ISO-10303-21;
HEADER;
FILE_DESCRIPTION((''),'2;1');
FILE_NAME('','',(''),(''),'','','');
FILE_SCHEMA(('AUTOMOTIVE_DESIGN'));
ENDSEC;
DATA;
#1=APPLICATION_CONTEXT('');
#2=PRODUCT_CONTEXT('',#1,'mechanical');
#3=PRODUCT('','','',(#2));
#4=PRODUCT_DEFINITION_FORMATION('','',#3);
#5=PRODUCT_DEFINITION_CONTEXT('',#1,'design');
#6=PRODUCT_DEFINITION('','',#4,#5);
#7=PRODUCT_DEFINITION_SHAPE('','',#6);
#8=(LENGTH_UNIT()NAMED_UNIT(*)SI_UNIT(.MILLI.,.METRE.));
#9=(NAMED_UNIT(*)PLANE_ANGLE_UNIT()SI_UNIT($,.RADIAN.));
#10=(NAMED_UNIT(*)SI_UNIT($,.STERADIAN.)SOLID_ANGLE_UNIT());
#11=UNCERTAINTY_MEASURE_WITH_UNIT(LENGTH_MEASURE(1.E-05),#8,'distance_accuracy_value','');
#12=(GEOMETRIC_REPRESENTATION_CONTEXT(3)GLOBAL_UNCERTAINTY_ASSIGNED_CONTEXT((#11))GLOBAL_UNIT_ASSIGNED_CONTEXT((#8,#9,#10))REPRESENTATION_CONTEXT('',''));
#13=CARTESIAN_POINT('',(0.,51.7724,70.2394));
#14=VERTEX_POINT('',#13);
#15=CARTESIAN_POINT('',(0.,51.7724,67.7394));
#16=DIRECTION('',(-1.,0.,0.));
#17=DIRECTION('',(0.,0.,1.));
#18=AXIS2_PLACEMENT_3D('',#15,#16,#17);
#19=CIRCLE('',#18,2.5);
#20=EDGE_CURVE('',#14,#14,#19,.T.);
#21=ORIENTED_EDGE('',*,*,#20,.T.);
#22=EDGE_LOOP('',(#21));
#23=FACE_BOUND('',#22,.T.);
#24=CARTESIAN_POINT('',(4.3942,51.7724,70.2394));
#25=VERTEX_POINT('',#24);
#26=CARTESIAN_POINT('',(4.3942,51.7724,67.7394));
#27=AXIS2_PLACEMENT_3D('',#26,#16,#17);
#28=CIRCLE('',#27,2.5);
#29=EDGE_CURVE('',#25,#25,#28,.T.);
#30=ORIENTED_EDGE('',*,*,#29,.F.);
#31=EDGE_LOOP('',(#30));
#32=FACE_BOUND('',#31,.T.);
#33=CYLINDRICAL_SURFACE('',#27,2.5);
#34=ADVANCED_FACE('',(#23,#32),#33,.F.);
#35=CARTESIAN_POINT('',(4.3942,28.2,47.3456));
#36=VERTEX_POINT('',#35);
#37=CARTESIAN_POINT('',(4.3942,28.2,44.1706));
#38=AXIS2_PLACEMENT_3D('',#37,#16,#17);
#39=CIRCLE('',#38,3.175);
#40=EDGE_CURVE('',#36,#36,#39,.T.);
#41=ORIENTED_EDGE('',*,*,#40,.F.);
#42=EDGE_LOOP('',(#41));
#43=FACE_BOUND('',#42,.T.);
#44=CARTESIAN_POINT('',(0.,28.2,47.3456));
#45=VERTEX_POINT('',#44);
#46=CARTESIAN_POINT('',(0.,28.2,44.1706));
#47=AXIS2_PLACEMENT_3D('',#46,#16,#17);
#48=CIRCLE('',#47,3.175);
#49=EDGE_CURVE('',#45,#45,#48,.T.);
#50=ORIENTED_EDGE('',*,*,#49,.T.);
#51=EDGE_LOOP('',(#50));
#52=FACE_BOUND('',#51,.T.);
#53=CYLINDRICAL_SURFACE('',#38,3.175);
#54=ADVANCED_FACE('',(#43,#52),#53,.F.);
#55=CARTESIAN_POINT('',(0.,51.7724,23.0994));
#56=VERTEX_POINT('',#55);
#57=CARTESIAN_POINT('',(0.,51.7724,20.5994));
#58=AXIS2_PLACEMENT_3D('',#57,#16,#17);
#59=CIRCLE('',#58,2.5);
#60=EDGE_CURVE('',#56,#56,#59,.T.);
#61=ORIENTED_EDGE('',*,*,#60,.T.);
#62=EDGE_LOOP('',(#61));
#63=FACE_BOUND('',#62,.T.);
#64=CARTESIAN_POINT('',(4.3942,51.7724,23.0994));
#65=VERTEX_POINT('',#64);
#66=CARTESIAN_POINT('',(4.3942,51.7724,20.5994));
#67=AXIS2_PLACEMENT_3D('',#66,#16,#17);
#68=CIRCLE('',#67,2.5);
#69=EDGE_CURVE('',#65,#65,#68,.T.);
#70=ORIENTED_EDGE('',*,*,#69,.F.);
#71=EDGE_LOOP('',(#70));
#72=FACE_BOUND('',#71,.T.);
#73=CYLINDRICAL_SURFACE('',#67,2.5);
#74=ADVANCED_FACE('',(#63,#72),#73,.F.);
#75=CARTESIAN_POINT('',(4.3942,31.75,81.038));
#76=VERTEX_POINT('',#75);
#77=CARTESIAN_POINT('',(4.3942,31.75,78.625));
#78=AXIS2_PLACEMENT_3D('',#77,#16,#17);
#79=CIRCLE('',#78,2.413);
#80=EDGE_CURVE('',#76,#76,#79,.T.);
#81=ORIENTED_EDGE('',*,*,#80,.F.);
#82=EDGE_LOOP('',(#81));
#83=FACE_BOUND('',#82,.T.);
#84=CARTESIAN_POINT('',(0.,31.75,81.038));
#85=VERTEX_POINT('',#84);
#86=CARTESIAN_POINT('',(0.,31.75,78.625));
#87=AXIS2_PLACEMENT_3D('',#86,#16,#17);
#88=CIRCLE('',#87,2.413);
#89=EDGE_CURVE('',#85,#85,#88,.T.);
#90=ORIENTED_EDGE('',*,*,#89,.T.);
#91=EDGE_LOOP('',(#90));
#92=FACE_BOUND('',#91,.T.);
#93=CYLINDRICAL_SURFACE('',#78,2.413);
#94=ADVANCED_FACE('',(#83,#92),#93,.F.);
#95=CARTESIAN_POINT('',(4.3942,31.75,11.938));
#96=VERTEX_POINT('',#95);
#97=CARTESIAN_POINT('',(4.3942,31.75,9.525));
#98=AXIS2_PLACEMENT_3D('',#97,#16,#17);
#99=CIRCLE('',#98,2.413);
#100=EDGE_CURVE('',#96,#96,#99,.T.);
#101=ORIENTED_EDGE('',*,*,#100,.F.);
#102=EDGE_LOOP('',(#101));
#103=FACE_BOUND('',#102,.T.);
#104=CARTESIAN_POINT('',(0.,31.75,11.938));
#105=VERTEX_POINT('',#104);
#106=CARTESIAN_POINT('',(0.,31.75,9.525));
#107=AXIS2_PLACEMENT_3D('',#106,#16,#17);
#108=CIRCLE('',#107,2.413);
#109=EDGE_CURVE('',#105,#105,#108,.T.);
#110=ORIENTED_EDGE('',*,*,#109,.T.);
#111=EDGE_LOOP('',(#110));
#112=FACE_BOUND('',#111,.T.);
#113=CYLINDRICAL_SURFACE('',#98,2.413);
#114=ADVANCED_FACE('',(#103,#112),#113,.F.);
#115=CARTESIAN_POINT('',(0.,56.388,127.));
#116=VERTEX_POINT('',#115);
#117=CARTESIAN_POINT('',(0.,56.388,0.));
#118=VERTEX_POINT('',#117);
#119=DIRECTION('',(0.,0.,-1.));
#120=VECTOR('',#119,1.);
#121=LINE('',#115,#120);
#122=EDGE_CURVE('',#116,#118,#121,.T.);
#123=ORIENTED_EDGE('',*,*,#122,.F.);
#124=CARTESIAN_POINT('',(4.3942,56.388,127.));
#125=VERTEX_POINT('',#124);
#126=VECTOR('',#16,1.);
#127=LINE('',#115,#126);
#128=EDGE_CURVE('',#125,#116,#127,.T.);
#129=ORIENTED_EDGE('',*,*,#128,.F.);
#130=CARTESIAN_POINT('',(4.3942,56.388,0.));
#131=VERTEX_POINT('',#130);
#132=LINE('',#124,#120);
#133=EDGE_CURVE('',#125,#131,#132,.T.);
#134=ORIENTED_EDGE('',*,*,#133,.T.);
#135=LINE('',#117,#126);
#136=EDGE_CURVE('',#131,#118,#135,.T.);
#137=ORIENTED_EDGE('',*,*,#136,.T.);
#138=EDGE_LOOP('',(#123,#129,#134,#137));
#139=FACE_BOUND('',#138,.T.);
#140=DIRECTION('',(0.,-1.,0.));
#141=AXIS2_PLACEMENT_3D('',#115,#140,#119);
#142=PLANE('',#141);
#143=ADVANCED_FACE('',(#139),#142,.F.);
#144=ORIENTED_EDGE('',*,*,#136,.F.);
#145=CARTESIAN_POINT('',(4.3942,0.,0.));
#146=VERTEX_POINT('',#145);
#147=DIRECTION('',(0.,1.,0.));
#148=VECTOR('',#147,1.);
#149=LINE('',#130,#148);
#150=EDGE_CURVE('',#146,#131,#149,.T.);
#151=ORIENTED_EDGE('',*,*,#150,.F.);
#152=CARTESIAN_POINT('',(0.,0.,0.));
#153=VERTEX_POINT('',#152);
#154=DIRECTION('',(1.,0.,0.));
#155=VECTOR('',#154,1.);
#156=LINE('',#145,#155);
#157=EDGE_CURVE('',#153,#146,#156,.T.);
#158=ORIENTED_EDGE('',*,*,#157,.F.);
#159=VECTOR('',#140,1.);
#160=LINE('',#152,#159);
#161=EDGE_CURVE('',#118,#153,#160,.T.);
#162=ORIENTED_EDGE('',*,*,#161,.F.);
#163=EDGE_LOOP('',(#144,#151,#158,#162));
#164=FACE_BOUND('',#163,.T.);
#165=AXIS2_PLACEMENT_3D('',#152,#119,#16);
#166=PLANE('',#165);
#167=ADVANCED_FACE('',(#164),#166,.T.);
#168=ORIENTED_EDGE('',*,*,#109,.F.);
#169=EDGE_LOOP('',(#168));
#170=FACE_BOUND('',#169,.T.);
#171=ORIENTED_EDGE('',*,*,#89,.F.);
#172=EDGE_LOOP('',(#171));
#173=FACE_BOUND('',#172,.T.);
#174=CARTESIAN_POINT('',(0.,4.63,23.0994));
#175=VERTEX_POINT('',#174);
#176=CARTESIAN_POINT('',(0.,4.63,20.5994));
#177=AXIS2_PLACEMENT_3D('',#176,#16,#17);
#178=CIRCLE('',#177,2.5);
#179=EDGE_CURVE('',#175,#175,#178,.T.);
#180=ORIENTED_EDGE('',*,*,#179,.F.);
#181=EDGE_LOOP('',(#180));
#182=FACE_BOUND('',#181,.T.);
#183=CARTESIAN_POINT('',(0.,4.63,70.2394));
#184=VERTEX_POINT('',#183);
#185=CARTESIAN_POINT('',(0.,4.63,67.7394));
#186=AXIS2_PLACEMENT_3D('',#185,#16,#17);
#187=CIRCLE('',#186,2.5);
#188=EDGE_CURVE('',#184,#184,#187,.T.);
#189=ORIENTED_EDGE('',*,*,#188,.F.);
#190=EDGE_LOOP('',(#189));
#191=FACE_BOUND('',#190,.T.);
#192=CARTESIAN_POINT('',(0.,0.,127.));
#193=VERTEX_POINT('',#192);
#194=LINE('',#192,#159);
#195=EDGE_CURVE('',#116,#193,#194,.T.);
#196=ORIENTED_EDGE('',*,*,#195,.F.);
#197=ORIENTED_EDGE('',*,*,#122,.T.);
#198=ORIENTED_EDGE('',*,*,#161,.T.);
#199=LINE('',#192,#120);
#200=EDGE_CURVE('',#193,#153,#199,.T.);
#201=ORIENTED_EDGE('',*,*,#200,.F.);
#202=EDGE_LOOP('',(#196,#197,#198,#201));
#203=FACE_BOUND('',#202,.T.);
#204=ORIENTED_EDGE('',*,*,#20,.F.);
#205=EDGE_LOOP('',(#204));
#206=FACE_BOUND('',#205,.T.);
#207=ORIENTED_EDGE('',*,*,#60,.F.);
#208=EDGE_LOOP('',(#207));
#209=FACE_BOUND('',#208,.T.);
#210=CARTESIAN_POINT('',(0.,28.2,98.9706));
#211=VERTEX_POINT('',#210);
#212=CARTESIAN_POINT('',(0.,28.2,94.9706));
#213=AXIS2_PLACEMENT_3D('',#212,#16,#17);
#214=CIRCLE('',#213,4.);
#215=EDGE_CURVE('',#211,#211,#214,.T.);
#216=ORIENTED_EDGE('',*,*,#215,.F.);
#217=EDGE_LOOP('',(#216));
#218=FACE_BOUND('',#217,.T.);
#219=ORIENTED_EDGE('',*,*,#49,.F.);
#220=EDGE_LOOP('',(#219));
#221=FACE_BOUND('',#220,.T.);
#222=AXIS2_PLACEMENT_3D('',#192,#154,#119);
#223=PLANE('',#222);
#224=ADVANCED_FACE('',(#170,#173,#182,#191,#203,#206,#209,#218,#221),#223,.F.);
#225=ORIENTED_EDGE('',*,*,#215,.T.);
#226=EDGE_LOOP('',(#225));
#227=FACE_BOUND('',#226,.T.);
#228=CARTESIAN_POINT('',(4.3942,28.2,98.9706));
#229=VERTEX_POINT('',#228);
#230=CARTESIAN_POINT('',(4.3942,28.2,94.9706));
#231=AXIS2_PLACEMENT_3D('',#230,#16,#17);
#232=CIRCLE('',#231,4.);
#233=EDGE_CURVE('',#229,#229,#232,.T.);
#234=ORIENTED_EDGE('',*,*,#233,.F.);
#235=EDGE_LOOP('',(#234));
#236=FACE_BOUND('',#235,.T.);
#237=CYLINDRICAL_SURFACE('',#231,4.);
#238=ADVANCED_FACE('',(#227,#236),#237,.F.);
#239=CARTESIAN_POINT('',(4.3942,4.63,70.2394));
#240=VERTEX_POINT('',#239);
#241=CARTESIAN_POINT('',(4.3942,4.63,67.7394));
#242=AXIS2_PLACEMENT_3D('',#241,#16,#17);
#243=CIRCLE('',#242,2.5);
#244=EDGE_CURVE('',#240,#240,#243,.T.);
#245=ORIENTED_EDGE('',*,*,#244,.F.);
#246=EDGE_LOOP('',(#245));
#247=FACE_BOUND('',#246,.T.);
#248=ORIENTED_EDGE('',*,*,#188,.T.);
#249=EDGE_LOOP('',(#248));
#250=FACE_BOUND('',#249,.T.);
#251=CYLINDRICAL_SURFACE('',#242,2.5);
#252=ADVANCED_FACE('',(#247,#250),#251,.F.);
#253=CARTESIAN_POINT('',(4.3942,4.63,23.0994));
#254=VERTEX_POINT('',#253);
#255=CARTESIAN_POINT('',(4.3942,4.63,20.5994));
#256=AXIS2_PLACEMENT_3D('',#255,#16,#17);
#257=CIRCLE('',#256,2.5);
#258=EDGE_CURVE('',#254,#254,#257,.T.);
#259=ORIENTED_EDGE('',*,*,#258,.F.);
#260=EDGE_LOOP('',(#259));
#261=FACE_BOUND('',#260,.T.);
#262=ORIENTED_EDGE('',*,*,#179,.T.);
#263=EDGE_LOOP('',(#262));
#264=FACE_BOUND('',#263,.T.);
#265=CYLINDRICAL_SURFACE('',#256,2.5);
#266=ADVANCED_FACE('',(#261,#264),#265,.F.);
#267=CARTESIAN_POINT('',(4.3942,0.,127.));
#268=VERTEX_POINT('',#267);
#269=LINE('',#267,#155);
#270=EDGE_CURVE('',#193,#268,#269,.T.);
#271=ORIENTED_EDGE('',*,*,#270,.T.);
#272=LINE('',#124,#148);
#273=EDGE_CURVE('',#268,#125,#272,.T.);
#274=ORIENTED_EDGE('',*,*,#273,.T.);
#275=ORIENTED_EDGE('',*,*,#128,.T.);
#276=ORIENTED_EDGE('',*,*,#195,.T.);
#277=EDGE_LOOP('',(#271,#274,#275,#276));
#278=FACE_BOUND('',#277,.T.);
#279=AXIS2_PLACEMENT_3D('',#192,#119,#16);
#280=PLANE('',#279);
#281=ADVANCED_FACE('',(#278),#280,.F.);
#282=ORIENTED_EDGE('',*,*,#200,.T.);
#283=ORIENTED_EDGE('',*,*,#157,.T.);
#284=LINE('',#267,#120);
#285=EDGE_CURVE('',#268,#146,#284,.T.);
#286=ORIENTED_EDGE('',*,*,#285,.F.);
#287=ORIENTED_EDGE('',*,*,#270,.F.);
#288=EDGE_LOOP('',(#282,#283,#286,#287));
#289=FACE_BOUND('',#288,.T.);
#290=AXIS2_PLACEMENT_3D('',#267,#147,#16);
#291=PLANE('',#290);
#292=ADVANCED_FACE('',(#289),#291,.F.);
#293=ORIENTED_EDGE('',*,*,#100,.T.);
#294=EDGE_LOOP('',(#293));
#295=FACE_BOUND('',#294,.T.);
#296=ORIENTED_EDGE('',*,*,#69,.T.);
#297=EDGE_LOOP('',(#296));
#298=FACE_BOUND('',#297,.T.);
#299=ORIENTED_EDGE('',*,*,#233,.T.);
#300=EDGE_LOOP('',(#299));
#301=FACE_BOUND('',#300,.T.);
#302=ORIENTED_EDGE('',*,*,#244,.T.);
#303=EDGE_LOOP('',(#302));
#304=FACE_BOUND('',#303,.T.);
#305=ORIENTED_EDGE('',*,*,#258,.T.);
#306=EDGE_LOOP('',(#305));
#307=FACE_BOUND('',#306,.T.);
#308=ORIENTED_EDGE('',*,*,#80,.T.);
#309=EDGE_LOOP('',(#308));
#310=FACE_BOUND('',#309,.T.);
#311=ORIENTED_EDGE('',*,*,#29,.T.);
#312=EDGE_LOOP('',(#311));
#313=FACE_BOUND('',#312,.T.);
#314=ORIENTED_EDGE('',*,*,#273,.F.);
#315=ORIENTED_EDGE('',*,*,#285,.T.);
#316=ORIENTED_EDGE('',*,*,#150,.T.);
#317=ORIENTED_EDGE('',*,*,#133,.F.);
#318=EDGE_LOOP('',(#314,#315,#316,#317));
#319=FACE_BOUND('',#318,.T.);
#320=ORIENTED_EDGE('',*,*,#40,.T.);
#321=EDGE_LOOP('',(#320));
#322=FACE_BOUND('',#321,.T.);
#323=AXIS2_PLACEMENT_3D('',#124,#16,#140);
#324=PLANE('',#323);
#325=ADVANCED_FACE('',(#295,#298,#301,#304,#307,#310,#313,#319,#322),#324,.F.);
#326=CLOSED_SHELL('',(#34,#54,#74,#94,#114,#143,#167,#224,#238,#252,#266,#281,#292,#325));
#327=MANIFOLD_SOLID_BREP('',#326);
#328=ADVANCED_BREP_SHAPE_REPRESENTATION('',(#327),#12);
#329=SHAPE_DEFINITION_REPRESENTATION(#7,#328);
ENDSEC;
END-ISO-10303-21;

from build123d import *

# Parameters (mm, degrees)
SKETCH2_W           = 4.3942
SKETCH2_H           = 56.388
BOSS_EXTRUDE1_DEPTH = 127
SKETCH4_R           = 2.5
SKETCH4_R_2         = 2.413
SKETCH4_R_3         = 3.175
SKETCH4_R_4         = 4
CUT_EXTRUDE2_DEPTH  = 140.024873809


with BuildPart() as part:
    # Sketch2 → Boss-Extrude1 (new body)
    with BuildSketch(Plane.XY):
        with Locations((2.1971, 28.194)):
            Rectangle(SKETCH2_W, SKETCH2_H)
    extrude(amount=BOSS_EXTRUDE1_DEPTH)

    # Sketch4 → Cut-Extrude2 (cut, through all)
    with BuildSketch(Plane.ZY):
        with Locations((20.5994, 4.629999884)):
            Circle(SKETCH4_R)
        with Locations((9.525, 31.75)):
            Circle(SKETCH4_R_2)
        with Locations((67.7394, 4.629999884)):
            Circle(SKETCH4_R)
        with Locations((78.625, 31.75)):
            Circle(SKETCH4_R_2)
        with Locations((44.1706, 28.199999884)):
            Circle(SKETCH4_R_3)
        with Locations((94.9706, 28.199999884)):
            Circle(SKETCH4_R_4)
        with Locations((67.7394, 51.772399884)):
            Circle(SKETCH4_R)
        with Locations((20.5994, 51.772399884)):
            Circle(SKETCH4_R)
    extrude(amount=-CUT_EXTRUDE2_DEPTH, mode=Mode.SUBTRACT)


solid = part.part
